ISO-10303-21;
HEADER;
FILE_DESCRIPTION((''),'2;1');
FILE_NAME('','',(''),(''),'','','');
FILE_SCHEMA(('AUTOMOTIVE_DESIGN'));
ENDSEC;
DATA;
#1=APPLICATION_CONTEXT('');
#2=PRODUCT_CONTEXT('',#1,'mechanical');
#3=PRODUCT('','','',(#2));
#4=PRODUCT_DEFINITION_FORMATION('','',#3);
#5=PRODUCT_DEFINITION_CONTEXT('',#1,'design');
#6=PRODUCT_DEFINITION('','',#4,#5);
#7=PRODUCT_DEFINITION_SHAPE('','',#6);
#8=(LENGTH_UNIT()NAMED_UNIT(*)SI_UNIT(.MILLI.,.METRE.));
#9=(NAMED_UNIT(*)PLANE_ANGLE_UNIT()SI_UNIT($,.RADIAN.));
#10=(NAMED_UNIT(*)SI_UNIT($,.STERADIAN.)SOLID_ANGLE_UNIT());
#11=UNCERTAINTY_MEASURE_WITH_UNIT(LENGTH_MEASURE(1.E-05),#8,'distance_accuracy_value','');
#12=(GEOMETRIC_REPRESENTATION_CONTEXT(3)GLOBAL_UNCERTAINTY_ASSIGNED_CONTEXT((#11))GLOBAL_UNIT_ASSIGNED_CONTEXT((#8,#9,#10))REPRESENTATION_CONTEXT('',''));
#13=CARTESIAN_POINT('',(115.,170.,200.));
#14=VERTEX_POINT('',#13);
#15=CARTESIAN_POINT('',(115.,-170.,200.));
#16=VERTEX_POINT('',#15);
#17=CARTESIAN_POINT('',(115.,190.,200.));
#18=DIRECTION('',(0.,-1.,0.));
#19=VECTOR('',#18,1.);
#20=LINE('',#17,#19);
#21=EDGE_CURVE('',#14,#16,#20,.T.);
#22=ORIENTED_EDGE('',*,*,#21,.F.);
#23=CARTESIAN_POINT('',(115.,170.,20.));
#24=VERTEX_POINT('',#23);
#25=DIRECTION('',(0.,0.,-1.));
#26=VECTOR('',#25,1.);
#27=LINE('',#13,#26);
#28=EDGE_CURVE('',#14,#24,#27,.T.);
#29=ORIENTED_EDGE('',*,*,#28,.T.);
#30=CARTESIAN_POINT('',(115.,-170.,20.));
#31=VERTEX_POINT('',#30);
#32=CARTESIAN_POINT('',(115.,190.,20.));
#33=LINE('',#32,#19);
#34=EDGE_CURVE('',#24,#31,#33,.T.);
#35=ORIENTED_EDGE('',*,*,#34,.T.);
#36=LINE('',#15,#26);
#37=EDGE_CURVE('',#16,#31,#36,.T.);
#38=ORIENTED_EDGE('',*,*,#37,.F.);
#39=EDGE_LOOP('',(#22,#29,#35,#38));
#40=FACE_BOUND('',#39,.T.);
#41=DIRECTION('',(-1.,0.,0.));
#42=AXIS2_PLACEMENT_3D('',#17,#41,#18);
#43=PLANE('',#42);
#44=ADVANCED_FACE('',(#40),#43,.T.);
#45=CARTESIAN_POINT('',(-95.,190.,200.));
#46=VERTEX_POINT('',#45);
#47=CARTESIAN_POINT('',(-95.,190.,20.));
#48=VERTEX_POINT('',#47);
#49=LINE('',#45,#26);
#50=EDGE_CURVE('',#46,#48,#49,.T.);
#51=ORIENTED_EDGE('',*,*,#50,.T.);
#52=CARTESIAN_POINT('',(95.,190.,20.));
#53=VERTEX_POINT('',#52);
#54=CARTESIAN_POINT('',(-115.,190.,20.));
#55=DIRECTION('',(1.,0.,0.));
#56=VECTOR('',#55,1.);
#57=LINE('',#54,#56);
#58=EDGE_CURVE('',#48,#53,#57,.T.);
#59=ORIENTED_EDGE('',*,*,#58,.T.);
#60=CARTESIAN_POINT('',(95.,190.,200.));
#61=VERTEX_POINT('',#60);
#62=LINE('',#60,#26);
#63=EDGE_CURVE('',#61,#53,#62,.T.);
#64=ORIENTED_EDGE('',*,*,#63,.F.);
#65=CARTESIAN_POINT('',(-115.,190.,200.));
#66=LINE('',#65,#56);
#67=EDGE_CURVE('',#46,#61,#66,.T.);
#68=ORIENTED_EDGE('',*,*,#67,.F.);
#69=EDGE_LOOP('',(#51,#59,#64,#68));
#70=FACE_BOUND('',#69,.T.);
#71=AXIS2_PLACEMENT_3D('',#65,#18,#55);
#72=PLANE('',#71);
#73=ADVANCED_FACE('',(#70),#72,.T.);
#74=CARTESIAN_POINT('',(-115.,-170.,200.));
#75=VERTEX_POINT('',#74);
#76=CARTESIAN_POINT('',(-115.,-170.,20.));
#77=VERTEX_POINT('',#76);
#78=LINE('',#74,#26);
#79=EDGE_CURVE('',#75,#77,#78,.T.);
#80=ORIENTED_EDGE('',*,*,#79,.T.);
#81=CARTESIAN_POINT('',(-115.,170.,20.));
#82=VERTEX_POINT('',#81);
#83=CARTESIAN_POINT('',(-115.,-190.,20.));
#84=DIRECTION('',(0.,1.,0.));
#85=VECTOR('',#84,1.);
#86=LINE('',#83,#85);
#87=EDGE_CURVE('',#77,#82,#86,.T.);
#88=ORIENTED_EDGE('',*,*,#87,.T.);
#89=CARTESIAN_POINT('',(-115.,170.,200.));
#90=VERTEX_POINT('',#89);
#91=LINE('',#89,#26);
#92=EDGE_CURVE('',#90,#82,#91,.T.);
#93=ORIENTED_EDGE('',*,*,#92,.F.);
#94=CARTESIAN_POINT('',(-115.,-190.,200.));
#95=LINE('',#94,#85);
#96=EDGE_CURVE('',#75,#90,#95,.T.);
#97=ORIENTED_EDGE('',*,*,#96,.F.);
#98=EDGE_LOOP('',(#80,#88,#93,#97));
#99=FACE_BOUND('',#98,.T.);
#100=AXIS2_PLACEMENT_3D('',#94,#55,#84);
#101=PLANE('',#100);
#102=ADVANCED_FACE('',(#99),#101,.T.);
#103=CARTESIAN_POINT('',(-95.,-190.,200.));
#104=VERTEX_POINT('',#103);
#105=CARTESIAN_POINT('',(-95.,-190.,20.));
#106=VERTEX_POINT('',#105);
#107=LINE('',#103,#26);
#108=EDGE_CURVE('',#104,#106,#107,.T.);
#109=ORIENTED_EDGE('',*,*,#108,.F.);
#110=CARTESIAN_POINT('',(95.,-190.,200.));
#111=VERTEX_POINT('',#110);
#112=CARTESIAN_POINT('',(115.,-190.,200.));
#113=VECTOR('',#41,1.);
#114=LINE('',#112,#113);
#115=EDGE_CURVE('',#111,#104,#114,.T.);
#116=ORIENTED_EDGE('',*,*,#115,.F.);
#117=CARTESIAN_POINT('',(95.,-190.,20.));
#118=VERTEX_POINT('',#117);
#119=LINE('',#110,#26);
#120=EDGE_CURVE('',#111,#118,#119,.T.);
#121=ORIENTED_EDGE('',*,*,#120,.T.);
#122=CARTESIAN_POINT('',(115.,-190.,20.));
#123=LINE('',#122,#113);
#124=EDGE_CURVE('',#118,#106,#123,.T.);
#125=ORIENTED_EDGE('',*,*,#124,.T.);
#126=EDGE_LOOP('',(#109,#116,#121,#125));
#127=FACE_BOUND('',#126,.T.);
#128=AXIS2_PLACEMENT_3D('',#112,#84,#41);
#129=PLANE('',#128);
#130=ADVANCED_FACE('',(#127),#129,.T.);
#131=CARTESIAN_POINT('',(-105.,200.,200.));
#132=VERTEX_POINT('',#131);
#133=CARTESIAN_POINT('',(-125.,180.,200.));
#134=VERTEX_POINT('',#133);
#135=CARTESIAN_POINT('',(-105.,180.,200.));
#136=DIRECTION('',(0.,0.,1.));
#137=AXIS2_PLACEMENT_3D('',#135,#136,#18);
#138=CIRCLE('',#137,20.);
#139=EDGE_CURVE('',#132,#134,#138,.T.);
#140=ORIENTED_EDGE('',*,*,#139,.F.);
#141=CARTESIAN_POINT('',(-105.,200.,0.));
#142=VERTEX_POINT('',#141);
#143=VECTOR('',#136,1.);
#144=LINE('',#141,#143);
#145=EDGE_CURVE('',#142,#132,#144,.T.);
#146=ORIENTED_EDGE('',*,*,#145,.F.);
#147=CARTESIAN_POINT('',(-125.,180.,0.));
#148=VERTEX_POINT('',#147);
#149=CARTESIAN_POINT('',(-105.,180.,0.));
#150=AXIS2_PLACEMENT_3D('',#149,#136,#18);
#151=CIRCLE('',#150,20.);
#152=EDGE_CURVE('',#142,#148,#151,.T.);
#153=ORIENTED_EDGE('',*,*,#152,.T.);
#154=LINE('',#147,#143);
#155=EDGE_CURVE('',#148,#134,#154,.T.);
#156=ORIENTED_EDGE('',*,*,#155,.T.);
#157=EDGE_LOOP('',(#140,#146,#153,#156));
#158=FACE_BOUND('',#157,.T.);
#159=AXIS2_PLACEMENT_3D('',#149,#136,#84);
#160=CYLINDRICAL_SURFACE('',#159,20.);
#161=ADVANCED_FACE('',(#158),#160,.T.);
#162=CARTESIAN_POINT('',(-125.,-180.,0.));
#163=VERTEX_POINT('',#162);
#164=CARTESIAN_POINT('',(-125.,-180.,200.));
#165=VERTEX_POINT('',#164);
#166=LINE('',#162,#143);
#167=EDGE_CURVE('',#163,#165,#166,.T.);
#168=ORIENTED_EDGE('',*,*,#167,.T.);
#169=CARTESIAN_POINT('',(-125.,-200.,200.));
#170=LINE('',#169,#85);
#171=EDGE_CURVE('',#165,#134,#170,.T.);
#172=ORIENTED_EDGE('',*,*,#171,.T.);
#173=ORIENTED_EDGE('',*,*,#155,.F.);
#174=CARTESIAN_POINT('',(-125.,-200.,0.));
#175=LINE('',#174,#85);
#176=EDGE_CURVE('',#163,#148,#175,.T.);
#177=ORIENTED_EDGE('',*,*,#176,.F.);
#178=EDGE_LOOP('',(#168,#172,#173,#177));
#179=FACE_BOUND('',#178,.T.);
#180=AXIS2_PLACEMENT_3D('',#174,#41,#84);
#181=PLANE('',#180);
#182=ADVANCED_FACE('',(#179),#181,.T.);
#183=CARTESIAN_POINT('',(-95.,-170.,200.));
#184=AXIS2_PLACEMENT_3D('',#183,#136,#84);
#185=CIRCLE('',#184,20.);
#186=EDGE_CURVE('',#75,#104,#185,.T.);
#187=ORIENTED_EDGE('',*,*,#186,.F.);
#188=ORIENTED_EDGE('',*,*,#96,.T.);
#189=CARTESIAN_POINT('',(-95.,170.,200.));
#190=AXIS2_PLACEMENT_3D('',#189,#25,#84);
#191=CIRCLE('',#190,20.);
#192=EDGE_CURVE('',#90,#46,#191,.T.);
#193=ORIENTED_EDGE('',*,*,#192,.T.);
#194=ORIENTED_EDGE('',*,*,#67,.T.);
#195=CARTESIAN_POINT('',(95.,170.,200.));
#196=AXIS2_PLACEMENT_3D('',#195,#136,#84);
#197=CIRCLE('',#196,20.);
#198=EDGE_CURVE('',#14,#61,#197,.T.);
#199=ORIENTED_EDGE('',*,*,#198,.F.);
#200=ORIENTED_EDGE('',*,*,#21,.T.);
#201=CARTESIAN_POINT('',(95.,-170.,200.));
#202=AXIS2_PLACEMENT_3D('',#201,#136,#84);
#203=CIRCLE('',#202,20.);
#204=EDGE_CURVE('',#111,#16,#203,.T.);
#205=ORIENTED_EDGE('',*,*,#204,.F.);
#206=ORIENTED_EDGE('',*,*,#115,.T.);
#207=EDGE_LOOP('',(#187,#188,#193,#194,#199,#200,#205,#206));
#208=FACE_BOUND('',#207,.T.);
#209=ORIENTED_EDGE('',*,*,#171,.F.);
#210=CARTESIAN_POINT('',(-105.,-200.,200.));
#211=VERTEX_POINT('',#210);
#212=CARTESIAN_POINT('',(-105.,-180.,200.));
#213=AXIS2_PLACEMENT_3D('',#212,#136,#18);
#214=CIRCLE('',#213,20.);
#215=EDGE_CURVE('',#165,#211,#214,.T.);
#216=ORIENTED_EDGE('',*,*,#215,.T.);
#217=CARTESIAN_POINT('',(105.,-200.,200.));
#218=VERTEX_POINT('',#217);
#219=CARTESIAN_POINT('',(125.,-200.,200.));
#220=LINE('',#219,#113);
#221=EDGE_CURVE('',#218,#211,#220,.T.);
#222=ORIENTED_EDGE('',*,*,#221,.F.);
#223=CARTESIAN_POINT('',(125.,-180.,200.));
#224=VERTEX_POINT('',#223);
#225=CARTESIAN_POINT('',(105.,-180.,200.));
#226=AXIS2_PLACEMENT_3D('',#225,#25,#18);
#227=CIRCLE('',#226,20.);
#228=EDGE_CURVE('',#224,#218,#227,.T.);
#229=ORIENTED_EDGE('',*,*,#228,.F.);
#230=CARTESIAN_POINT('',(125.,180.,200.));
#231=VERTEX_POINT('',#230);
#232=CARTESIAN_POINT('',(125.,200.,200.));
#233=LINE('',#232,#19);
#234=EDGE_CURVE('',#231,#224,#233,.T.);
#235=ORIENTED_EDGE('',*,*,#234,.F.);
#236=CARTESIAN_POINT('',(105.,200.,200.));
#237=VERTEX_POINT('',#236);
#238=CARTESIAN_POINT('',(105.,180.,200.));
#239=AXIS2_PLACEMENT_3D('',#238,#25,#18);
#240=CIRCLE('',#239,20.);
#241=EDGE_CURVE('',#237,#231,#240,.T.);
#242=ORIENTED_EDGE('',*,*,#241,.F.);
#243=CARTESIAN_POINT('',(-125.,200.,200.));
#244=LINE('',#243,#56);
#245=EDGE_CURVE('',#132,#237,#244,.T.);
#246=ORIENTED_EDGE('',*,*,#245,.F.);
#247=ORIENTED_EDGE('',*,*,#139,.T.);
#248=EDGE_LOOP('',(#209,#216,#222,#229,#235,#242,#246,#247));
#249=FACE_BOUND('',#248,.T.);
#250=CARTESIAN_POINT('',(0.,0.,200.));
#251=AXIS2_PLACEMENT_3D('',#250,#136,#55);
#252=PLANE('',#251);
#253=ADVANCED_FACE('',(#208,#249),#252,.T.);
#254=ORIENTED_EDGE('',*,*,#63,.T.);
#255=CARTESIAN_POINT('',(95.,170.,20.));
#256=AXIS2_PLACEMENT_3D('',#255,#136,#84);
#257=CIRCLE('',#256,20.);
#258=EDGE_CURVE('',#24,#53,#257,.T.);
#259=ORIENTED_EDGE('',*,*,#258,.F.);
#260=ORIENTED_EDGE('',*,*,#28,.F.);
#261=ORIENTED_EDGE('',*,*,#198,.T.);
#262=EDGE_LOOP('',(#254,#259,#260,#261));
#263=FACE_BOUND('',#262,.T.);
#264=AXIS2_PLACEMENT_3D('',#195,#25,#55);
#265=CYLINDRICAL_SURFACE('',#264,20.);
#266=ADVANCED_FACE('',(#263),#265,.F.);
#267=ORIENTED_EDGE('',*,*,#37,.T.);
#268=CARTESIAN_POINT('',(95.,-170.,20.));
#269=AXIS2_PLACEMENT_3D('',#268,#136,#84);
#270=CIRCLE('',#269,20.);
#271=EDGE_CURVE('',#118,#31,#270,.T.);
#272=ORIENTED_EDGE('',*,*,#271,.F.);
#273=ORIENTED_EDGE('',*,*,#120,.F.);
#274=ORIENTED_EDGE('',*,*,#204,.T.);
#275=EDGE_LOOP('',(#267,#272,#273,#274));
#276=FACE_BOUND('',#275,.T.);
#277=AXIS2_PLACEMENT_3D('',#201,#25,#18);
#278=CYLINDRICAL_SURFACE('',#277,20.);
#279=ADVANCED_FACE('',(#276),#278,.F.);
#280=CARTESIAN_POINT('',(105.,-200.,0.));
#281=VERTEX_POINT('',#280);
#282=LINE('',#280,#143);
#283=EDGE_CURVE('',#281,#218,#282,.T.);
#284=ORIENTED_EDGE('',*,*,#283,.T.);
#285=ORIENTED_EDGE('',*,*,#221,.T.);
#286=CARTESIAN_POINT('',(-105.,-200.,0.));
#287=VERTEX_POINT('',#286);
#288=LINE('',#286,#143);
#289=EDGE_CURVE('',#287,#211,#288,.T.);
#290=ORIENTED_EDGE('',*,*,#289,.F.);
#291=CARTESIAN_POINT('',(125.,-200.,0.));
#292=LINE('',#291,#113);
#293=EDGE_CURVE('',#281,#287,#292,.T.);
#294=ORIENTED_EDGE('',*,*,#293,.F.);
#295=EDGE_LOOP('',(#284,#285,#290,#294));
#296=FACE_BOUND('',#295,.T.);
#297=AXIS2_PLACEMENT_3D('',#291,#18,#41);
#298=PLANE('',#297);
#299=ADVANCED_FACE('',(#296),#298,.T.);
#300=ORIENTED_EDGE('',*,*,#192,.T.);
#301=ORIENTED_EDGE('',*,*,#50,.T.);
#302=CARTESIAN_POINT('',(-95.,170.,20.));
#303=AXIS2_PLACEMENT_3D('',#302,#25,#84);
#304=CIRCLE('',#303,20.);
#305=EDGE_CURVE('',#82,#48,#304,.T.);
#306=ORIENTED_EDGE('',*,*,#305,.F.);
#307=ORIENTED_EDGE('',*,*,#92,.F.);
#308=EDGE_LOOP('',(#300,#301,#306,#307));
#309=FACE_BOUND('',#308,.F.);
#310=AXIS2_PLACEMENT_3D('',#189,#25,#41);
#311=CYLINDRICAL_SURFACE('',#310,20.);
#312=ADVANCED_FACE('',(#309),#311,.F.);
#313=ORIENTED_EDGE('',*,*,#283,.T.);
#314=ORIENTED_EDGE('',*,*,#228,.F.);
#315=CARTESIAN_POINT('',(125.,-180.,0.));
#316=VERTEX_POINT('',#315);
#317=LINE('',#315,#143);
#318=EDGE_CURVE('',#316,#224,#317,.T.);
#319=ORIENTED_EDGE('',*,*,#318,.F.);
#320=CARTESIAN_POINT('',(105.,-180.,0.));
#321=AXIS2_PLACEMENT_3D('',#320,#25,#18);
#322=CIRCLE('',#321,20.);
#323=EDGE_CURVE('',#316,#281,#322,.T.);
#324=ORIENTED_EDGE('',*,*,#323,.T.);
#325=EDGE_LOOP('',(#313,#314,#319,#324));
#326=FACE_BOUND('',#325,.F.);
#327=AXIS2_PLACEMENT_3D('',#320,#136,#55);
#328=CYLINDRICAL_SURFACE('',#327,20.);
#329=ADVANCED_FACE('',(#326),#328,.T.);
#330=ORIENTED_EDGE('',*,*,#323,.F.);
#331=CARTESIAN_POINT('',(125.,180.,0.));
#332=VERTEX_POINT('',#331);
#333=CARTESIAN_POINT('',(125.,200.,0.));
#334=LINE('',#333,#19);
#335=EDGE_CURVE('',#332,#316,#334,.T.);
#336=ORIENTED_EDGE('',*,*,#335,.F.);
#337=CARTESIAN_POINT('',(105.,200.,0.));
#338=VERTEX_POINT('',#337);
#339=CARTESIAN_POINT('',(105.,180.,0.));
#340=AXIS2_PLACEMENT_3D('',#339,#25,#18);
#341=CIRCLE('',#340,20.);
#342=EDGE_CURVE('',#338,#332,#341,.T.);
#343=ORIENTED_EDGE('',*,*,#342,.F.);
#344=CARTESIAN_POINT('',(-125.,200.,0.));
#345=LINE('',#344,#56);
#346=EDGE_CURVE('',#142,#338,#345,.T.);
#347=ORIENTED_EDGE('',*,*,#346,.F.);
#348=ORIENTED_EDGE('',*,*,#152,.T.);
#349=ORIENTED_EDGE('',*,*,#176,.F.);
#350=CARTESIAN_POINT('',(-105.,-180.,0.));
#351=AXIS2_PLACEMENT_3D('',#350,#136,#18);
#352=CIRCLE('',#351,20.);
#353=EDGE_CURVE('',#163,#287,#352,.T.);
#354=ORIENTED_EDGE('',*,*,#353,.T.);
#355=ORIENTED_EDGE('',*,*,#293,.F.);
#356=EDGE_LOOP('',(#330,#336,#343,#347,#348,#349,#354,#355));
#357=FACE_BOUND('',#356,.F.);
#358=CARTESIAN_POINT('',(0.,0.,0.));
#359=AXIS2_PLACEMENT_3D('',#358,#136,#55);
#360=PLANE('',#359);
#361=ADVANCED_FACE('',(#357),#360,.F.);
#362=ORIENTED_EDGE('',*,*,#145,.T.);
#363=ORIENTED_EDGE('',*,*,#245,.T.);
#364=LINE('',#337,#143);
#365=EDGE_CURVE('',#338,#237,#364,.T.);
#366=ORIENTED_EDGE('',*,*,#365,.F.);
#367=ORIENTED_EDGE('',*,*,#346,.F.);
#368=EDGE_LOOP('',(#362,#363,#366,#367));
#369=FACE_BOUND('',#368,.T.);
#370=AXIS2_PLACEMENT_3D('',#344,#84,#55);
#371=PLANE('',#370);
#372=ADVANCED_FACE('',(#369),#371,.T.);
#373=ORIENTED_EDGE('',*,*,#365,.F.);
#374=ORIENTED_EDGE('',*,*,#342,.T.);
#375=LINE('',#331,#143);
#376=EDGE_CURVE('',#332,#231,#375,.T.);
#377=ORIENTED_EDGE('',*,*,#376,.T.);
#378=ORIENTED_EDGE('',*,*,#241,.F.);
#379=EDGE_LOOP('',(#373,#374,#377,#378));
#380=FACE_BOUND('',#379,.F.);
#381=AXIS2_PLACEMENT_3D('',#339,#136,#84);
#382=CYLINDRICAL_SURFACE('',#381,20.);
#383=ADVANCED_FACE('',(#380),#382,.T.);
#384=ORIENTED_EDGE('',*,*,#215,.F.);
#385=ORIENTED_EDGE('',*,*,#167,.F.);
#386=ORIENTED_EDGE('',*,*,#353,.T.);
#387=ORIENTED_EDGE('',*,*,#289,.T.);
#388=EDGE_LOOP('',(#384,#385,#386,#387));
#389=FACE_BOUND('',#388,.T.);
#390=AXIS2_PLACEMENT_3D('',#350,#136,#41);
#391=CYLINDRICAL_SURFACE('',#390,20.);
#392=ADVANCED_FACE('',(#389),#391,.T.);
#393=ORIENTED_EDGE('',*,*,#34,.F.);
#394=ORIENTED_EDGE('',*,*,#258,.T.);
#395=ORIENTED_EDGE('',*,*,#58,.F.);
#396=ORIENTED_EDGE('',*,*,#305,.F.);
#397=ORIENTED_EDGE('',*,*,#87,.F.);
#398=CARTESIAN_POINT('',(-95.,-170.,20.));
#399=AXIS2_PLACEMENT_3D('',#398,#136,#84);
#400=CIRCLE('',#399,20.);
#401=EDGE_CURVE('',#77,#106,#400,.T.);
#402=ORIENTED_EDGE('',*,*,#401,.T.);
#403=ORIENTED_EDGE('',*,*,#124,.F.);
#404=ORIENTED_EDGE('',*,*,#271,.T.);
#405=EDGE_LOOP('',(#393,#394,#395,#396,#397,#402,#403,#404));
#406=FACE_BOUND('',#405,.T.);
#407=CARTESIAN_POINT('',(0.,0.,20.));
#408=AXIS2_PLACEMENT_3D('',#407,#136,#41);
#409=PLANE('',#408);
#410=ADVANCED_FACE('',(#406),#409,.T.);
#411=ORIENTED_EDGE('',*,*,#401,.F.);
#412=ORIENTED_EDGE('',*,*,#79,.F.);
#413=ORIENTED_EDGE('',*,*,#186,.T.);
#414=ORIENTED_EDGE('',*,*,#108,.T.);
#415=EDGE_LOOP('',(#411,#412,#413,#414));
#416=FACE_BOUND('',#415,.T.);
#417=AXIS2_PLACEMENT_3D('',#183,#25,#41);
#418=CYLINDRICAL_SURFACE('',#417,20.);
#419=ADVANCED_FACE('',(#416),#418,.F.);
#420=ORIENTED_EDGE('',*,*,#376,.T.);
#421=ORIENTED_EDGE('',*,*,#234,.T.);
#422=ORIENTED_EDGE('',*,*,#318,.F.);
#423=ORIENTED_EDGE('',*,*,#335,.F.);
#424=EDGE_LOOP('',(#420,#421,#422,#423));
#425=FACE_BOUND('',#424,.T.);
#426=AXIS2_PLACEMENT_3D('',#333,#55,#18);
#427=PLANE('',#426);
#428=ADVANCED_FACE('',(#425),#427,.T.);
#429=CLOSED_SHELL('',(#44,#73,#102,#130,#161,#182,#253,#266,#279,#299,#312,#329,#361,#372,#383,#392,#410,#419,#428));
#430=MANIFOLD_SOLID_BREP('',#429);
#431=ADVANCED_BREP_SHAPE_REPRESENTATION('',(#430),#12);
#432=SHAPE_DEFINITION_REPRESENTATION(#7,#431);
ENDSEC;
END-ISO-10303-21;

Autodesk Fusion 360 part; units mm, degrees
sketch "Sketch1" plane through (0, 0, 0) normal (0, 0, 1) x (1, 0, 0)
  line L0 (-125, 200) -> (125, 200)
  line L1 (125, 200) -> (125, -200)
  line L2 (125, -200) -> (-125, -200)
  line L3 (-125, -200) -> (-125, 200)
  dimension "d1" = 250
  dimension "d2" = 400
extrude "Extrude1" add sketch "Sketch1" along normal blind 200
sketch "Sketch2" plane through (0, 0, 200) normal (0, 0, 1) x (-1, 0, 0)
  line L0 (125, 200) -> (-125, 200)
  line L1 (-125, 200) -> (-125, -200)
  line L2 (-125, -200) -> (125, -200)
  line L3 (125, -200) -> (125, 200)
  line L4 (115, -190) -> (-115, -190)
  line L5 (-115, -190) -> (-115, 190)
  line L6 (-115, 190) -> (115, 190)
  line L7 (115, 190) -> (115, -190)
  dimension "d5" = 230
  dimension "d6" = 380
extrude "Extrude2" cut sketch "Sketch2" against normal blind 180 contours L4 L5 L6 L7
fillet "Fillet1" radius 20 4 edges at (-125, -200, 100) (125, -200, 100) (125, 200, 100) (-125, 200, 100)
fillet "Fillet2" radius 20 4 edges at (115, -190, 110) (-115, -190, 110) (115, 190, 110) (-115, 190, 110)
